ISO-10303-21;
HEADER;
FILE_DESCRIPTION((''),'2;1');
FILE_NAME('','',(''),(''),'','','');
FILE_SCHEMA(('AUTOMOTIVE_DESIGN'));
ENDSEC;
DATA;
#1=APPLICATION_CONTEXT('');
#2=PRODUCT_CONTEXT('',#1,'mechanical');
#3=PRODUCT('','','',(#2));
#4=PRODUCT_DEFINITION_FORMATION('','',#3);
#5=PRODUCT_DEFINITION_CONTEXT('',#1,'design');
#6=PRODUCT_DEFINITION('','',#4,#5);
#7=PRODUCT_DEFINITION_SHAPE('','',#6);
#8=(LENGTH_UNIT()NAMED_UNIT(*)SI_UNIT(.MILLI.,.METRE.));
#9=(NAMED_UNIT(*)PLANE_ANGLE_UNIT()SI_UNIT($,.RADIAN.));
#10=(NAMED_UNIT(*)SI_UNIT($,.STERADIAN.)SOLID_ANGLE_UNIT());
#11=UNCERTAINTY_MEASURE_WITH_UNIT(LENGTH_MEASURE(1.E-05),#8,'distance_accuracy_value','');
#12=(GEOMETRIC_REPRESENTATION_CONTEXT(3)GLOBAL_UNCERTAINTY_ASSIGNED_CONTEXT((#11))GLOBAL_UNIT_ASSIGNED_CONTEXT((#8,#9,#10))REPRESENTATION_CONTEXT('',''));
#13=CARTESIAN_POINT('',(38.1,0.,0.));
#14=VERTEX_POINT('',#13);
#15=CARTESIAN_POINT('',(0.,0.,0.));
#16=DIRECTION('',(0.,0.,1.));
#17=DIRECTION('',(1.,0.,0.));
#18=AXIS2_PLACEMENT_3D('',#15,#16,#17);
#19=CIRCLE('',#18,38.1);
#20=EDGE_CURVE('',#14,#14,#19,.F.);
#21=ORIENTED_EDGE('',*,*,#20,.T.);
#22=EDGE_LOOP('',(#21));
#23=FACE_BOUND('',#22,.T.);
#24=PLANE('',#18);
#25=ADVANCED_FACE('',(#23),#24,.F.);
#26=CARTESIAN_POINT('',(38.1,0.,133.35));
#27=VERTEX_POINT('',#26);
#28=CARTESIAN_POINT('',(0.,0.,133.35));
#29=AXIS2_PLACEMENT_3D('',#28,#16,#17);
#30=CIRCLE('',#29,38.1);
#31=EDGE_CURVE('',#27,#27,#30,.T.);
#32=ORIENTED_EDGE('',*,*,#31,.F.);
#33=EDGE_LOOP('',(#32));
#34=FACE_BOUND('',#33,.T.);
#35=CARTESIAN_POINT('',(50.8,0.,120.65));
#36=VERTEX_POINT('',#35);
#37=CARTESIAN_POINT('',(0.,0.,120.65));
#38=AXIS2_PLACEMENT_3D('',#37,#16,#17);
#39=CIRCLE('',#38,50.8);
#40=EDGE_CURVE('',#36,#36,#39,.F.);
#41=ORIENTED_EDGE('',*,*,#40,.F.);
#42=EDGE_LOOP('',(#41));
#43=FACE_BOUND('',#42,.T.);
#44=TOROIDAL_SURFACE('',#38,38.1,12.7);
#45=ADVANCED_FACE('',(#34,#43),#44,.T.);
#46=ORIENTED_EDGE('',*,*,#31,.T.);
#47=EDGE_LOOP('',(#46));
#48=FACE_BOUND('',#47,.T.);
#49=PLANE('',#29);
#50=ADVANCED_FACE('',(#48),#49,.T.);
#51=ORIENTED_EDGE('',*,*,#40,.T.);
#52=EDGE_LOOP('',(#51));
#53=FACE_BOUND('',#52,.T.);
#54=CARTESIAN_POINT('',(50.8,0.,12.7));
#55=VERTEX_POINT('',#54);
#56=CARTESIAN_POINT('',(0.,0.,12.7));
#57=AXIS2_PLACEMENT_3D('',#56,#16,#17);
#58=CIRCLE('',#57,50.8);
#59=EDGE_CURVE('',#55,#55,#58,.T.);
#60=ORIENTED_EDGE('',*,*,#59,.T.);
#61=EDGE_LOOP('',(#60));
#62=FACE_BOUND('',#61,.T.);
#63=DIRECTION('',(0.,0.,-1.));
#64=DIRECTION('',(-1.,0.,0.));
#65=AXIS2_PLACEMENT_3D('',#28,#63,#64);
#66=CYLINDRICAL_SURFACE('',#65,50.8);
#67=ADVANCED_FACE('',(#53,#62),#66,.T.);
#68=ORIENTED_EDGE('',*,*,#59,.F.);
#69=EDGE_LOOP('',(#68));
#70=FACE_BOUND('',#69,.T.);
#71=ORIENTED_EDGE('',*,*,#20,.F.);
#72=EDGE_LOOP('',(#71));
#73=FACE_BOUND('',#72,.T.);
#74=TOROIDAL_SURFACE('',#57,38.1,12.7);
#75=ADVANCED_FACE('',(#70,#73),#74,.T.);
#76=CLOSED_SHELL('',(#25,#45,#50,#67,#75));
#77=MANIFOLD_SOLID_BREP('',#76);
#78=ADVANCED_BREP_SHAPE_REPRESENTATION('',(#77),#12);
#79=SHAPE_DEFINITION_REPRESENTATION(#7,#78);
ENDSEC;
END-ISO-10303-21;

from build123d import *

# Parameters (mm, degrees)
SKETCH1_R           = 50.8
BOSS_EXTRUDE1_DEPTH = 133.35
FILLET1_R           = 12.7


with BuildPart() as part:
    # Sketch1 → Boss-Extrude1 (new body)
    with BuildSketch(Plane.XY):
        Circle(SKETCH1_R)
    extrude(amount=BOSS_EXTRUDE1_DEPTH)

    # Fillet1
    fillet1_edges = [part.edges().sort_by_distance(p)[0] for p in [
        (-50.8, 0, 0),
        (-50.8, 0, 133.35),
    ]]
    fillet(fillet1_edges, radius=FILLET1_R)


solid = part.part
